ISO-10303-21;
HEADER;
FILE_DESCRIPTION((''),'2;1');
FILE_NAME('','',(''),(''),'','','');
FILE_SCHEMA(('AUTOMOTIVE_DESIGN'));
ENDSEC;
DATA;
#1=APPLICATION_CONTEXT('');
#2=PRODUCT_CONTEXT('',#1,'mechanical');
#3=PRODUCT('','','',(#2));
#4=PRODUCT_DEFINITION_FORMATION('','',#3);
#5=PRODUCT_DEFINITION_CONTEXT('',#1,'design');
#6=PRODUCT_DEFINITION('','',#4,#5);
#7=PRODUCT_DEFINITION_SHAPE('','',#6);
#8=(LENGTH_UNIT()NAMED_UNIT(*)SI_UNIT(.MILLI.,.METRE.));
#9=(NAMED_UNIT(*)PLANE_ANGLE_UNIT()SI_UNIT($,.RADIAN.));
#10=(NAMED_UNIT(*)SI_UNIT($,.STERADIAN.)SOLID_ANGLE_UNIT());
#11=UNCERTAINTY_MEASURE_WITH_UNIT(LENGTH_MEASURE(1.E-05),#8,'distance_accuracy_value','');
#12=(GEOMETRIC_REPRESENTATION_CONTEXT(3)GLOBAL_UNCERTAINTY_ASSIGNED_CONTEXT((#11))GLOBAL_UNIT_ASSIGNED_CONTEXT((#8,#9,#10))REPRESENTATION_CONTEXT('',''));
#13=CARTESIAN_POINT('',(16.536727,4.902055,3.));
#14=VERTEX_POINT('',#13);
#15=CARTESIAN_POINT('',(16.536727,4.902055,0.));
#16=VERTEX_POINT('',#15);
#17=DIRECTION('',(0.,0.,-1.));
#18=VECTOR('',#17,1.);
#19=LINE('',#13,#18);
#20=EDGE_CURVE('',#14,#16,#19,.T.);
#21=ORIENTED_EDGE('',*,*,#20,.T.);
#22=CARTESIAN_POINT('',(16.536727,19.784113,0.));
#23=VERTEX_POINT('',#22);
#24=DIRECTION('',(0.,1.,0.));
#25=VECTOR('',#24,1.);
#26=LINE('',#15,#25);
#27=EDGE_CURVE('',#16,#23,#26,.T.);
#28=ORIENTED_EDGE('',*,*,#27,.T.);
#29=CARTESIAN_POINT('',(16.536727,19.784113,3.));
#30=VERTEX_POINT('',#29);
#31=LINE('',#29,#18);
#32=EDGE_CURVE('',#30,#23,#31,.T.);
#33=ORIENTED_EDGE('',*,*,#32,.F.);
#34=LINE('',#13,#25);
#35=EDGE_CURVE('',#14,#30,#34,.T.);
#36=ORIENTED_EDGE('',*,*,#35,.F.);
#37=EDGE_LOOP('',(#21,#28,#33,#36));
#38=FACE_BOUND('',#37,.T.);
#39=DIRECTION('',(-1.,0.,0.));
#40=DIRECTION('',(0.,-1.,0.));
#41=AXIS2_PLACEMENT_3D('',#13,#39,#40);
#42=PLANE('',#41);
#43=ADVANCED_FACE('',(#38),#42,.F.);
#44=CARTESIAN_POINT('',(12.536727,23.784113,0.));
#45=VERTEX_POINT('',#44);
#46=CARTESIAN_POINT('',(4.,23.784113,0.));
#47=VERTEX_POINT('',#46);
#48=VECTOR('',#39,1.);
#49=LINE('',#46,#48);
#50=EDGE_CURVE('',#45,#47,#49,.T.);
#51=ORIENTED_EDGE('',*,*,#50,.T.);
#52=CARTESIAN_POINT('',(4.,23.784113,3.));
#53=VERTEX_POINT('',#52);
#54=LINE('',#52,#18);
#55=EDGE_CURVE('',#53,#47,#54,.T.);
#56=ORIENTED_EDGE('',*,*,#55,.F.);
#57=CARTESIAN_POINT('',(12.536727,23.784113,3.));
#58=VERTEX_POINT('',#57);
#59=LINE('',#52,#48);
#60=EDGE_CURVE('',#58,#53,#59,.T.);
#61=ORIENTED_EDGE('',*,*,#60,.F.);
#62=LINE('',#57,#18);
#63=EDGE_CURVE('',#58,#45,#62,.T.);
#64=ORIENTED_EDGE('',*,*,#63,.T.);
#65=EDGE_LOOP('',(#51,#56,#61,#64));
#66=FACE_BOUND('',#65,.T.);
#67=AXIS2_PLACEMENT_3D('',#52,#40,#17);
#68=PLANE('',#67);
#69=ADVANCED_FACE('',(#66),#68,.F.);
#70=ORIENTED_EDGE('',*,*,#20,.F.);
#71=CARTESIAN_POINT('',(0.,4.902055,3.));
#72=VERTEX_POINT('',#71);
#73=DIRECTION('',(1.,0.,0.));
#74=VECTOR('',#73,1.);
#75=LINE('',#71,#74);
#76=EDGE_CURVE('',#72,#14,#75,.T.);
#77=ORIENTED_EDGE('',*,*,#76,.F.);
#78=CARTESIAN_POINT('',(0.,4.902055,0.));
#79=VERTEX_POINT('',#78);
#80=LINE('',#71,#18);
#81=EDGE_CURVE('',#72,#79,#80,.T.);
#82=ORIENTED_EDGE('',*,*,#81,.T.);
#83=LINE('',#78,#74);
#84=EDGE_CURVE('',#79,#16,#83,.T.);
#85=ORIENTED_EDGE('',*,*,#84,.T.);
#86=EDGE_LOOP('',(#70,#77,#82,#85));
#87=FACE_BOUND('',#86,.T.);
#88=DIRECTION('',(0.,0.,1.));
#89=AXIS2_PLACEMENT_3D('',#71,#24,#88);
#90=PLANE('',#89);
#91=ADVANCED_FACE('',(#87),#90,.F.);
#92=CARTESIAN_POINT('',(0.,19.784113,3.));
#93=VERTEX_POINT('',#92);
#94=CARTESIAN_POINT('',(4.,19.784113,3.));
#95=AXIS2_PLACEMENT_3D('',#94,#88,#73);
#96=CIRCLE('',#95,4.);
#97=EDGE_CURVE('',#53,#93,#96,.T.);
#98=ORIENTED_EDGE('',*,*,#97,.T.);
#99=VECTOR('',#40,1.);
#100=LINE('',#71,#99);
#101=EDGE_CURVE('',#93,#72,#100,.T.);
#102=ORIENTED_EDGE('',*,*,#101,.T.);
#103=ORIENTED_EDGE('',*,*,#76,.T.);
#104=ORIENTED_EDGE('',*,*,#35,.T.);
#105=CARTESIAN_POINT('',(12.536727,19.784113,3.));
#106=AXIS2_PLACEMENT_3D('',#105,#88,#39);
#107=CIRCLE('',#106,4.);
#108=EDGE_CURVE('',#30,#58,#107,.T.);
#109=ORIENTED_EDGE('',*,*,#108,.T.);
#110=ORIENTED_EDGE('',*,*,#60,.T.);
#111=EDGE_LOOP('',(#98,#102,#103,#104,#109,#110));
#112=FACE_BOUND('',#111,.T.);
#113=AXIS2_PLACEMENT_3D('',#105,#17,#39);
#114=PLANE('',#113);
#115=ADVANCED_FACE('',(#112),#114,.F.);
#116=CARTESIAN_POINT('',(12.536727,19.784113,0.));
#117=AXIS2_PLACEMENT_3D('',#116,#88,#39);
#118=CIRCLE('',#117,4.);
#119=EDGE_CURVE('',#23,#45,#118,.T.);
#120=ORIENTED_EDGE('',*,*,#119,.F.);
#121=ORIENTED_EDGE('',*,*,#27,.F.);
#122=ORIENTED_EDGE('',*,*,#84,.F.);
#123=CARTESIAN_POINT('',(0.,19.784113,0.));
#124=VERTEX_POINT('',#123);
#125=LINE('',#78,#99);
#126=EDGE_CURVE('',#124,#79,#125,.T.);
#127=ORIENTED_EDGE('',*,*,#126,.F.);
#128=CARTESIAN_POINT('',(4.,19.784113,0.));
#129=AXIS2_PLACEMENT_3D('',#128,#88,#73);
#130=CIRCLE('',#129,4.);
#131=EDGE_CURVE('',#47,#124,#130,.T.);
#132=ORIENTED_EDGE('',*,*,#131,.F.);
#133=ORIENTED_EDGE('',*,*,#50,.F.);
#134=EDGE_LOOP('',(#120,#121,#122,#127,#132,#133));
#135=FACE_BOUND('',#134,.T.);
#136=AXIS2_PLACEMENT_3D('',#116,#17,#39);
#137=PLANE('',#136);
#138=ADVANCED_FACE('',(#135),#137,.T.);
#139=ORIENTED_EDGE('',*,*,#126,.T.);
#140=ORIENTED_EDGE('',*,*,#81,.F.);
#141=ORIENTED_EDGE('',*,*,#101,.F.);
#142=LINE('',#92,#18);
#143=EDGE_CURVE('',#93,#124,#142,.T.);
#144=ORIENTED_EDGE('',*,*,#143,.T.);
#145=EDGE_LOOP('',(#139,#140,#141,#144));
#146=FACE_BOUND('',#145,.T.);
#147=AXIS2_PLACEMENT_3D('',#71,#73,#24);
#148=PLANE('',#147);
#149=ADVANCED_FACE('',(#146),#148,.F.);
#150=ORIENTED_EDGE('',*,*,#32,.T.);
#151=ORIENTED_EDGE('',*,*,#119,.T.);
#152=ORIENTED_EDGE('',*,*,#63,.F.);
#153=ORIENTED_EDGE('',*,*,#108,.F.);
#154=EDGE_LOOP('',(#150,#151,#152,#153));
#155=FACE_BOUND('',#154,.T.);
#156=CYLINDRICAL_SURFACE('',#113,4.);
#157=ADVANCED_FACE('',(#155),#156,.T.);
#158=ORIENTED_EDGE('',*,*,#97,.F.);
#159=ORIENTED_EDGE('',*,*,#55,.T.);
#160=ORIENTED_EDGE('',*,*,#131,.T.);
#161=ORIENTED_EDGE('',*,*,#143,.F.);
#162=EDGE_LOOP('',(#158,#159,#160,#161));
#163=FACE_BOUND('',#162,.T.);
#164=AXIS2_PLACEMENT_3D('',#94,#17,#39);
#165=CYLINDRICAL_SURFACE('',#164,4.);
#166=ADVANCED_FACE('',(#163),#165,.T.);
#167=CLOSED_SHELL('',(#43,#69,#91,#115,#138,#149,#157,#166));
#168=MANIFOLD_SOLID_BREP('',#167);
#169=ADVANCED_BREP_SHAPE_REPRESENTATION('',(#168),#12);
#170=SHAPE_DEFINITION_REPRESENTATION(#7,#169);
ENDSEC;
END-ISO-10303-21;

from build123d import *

# Parameters (mm, degrees)
BOSS_EXTRUDE1_DEPTH = 3


with BuildPart() as part:
    # Sketch1 → Boss-Extrude1 (new body)
    with BuildSketch(Plane.XY):
        with BuildLine():
            Line((0, 4.902054874), (16.536727361, 4.902054874))
            Line((16.536727361, 4.902054874), (16.536727361, 19.7841128))
            ThreePointArc((16.536727361, 19.7841128), (15.365154486, 22.612539925), (12.536727361, 23.7841128))
            Line((12.536727361, 23.7841128), (4, 23.7841128))
            ThreePointArc((4, 23.7841128), (1.171572875, 22.612539925), (0, 19.7841128))
            Line((0, 19.7841128), (0, 4.902054874))
        make_face()
    extrude(amount=BOSS_EXTRUDE1_DEPTH)


solid = part.part
